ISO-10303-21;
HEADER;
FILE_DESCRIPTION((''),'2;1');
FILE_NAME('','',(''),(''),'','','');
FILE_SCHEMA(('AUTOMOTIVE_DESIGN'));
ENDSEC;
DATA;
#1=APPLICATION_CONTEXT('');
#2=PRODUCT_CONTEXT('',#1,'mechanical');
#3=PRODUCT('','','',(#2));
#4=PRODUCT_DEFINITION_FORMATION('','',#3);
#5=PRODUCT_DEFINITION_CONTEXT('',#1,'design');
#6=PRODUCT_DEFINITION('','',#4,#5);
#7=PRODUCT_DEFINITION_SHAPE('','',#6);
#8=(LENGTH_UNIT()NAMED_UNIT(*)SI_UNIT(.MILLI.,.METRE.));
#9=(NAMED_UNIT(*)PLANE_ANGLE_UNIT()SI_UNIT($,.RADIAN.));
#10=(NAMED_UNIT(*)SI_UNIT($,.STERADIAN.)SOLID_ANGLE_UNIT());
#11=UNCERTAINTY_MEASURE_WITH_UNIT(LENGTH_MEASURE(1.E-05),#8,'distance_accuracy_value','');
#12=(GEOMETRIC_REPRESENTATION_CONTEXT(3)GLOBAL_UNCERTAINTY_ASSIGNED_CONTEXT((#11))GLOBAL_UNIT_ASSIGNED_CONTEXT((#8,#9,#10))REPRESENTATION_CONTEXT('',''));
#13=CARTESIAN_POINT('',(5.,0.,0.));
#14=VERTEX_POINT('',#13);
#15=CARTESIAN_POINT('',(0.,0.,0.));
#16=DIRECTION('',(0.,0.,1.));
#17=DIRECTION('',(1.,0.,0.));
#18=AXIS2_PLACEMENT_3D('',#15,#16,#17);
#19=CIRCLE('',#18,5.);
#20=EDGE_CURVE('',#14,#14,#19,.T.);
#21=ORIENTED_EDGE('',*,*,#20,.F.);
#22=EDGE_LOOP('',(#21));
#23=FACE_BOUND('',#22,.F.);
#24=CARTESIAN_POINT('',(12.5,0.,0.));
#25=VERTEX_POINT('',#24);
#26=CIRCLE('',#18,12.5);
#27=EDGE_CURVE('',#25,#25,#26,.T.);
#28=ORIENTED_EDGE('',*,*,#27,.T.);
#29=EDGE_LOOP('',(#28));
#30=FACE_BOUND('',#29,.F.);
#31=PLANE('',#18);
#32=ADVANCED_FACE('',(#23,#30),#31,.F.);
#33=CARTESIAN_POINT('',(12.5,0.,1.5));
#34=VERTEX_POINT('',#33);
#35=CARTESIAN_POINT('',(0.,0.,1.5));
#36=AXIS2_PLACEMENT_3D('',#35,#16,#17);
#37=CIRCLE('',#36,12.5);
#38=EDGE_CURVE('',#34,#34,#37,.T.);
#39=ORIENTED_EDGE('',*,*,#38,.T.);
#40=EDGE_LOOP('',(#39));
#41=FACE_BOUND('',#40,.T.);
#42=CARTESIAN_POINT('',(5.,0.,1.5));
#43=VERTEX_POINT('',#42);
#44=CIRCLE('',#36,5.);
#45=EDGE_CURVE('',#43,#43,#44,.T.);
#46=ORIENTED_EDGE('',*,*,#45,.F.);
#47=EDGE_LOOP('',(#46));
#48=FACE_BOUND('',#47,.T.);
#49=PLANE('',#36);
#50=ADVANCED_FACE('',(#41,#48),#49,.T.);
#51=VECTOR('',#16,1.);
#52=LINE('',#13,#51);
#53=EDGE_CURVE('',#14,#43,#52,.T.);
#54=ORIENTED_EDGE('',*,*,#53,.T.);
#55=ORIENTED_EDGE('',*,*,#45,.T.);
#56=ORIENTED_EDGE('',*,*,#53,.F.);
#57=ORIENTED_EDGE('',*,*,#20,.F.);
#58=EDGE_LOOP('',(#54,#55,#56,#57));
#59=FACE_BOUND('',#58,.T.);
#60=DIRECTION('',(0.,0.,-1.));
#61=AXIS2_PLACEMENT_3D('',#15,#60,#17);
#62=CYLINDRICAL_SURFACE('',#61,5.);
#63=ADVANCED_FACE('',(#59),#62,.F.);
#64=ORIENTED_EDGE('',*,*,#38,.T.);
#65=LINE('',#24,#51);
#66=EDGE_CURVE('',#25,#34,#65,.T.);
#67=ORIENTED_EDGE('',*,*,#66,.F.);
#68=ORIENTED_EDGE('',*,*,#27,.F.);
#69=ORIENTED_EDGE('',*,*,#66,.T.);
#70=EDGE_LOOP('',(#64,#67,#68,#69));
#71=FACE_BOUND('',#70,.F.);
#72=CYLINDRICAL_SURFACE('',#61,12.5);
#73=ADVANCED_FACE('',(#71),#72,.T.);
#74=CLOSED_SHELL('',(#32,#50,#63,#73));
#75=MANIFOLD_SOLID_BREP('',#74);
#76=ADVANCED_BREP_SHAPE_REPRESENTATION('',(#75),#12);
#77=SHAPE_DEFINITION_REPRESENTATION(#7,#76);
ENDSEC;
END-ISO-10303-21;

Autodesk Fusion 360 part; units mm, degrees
sketch "Sketch1" plane through (0, 0, 0) normal (0, 0, 1) x (1, 0, 0)
  circle A0 centre (0, 0) radius 5
  circle A1 centre (0, 0) radius 12.5
  dimension "d1" = 10
  dimension "d2" = 25
extrude "Extrude1" add sketch "Sketch1" along normal blind 1.5 makes body 1
copy_body "Body->Comp1" bodies 1 removing the originals makes body 2 in component "M10x25x1.5 washer"
component "M10x25x1.5 washer" placed x (1, 0, 0) y (0, 1, 0) z (0, 0, 1) at (0, 0, 0)
